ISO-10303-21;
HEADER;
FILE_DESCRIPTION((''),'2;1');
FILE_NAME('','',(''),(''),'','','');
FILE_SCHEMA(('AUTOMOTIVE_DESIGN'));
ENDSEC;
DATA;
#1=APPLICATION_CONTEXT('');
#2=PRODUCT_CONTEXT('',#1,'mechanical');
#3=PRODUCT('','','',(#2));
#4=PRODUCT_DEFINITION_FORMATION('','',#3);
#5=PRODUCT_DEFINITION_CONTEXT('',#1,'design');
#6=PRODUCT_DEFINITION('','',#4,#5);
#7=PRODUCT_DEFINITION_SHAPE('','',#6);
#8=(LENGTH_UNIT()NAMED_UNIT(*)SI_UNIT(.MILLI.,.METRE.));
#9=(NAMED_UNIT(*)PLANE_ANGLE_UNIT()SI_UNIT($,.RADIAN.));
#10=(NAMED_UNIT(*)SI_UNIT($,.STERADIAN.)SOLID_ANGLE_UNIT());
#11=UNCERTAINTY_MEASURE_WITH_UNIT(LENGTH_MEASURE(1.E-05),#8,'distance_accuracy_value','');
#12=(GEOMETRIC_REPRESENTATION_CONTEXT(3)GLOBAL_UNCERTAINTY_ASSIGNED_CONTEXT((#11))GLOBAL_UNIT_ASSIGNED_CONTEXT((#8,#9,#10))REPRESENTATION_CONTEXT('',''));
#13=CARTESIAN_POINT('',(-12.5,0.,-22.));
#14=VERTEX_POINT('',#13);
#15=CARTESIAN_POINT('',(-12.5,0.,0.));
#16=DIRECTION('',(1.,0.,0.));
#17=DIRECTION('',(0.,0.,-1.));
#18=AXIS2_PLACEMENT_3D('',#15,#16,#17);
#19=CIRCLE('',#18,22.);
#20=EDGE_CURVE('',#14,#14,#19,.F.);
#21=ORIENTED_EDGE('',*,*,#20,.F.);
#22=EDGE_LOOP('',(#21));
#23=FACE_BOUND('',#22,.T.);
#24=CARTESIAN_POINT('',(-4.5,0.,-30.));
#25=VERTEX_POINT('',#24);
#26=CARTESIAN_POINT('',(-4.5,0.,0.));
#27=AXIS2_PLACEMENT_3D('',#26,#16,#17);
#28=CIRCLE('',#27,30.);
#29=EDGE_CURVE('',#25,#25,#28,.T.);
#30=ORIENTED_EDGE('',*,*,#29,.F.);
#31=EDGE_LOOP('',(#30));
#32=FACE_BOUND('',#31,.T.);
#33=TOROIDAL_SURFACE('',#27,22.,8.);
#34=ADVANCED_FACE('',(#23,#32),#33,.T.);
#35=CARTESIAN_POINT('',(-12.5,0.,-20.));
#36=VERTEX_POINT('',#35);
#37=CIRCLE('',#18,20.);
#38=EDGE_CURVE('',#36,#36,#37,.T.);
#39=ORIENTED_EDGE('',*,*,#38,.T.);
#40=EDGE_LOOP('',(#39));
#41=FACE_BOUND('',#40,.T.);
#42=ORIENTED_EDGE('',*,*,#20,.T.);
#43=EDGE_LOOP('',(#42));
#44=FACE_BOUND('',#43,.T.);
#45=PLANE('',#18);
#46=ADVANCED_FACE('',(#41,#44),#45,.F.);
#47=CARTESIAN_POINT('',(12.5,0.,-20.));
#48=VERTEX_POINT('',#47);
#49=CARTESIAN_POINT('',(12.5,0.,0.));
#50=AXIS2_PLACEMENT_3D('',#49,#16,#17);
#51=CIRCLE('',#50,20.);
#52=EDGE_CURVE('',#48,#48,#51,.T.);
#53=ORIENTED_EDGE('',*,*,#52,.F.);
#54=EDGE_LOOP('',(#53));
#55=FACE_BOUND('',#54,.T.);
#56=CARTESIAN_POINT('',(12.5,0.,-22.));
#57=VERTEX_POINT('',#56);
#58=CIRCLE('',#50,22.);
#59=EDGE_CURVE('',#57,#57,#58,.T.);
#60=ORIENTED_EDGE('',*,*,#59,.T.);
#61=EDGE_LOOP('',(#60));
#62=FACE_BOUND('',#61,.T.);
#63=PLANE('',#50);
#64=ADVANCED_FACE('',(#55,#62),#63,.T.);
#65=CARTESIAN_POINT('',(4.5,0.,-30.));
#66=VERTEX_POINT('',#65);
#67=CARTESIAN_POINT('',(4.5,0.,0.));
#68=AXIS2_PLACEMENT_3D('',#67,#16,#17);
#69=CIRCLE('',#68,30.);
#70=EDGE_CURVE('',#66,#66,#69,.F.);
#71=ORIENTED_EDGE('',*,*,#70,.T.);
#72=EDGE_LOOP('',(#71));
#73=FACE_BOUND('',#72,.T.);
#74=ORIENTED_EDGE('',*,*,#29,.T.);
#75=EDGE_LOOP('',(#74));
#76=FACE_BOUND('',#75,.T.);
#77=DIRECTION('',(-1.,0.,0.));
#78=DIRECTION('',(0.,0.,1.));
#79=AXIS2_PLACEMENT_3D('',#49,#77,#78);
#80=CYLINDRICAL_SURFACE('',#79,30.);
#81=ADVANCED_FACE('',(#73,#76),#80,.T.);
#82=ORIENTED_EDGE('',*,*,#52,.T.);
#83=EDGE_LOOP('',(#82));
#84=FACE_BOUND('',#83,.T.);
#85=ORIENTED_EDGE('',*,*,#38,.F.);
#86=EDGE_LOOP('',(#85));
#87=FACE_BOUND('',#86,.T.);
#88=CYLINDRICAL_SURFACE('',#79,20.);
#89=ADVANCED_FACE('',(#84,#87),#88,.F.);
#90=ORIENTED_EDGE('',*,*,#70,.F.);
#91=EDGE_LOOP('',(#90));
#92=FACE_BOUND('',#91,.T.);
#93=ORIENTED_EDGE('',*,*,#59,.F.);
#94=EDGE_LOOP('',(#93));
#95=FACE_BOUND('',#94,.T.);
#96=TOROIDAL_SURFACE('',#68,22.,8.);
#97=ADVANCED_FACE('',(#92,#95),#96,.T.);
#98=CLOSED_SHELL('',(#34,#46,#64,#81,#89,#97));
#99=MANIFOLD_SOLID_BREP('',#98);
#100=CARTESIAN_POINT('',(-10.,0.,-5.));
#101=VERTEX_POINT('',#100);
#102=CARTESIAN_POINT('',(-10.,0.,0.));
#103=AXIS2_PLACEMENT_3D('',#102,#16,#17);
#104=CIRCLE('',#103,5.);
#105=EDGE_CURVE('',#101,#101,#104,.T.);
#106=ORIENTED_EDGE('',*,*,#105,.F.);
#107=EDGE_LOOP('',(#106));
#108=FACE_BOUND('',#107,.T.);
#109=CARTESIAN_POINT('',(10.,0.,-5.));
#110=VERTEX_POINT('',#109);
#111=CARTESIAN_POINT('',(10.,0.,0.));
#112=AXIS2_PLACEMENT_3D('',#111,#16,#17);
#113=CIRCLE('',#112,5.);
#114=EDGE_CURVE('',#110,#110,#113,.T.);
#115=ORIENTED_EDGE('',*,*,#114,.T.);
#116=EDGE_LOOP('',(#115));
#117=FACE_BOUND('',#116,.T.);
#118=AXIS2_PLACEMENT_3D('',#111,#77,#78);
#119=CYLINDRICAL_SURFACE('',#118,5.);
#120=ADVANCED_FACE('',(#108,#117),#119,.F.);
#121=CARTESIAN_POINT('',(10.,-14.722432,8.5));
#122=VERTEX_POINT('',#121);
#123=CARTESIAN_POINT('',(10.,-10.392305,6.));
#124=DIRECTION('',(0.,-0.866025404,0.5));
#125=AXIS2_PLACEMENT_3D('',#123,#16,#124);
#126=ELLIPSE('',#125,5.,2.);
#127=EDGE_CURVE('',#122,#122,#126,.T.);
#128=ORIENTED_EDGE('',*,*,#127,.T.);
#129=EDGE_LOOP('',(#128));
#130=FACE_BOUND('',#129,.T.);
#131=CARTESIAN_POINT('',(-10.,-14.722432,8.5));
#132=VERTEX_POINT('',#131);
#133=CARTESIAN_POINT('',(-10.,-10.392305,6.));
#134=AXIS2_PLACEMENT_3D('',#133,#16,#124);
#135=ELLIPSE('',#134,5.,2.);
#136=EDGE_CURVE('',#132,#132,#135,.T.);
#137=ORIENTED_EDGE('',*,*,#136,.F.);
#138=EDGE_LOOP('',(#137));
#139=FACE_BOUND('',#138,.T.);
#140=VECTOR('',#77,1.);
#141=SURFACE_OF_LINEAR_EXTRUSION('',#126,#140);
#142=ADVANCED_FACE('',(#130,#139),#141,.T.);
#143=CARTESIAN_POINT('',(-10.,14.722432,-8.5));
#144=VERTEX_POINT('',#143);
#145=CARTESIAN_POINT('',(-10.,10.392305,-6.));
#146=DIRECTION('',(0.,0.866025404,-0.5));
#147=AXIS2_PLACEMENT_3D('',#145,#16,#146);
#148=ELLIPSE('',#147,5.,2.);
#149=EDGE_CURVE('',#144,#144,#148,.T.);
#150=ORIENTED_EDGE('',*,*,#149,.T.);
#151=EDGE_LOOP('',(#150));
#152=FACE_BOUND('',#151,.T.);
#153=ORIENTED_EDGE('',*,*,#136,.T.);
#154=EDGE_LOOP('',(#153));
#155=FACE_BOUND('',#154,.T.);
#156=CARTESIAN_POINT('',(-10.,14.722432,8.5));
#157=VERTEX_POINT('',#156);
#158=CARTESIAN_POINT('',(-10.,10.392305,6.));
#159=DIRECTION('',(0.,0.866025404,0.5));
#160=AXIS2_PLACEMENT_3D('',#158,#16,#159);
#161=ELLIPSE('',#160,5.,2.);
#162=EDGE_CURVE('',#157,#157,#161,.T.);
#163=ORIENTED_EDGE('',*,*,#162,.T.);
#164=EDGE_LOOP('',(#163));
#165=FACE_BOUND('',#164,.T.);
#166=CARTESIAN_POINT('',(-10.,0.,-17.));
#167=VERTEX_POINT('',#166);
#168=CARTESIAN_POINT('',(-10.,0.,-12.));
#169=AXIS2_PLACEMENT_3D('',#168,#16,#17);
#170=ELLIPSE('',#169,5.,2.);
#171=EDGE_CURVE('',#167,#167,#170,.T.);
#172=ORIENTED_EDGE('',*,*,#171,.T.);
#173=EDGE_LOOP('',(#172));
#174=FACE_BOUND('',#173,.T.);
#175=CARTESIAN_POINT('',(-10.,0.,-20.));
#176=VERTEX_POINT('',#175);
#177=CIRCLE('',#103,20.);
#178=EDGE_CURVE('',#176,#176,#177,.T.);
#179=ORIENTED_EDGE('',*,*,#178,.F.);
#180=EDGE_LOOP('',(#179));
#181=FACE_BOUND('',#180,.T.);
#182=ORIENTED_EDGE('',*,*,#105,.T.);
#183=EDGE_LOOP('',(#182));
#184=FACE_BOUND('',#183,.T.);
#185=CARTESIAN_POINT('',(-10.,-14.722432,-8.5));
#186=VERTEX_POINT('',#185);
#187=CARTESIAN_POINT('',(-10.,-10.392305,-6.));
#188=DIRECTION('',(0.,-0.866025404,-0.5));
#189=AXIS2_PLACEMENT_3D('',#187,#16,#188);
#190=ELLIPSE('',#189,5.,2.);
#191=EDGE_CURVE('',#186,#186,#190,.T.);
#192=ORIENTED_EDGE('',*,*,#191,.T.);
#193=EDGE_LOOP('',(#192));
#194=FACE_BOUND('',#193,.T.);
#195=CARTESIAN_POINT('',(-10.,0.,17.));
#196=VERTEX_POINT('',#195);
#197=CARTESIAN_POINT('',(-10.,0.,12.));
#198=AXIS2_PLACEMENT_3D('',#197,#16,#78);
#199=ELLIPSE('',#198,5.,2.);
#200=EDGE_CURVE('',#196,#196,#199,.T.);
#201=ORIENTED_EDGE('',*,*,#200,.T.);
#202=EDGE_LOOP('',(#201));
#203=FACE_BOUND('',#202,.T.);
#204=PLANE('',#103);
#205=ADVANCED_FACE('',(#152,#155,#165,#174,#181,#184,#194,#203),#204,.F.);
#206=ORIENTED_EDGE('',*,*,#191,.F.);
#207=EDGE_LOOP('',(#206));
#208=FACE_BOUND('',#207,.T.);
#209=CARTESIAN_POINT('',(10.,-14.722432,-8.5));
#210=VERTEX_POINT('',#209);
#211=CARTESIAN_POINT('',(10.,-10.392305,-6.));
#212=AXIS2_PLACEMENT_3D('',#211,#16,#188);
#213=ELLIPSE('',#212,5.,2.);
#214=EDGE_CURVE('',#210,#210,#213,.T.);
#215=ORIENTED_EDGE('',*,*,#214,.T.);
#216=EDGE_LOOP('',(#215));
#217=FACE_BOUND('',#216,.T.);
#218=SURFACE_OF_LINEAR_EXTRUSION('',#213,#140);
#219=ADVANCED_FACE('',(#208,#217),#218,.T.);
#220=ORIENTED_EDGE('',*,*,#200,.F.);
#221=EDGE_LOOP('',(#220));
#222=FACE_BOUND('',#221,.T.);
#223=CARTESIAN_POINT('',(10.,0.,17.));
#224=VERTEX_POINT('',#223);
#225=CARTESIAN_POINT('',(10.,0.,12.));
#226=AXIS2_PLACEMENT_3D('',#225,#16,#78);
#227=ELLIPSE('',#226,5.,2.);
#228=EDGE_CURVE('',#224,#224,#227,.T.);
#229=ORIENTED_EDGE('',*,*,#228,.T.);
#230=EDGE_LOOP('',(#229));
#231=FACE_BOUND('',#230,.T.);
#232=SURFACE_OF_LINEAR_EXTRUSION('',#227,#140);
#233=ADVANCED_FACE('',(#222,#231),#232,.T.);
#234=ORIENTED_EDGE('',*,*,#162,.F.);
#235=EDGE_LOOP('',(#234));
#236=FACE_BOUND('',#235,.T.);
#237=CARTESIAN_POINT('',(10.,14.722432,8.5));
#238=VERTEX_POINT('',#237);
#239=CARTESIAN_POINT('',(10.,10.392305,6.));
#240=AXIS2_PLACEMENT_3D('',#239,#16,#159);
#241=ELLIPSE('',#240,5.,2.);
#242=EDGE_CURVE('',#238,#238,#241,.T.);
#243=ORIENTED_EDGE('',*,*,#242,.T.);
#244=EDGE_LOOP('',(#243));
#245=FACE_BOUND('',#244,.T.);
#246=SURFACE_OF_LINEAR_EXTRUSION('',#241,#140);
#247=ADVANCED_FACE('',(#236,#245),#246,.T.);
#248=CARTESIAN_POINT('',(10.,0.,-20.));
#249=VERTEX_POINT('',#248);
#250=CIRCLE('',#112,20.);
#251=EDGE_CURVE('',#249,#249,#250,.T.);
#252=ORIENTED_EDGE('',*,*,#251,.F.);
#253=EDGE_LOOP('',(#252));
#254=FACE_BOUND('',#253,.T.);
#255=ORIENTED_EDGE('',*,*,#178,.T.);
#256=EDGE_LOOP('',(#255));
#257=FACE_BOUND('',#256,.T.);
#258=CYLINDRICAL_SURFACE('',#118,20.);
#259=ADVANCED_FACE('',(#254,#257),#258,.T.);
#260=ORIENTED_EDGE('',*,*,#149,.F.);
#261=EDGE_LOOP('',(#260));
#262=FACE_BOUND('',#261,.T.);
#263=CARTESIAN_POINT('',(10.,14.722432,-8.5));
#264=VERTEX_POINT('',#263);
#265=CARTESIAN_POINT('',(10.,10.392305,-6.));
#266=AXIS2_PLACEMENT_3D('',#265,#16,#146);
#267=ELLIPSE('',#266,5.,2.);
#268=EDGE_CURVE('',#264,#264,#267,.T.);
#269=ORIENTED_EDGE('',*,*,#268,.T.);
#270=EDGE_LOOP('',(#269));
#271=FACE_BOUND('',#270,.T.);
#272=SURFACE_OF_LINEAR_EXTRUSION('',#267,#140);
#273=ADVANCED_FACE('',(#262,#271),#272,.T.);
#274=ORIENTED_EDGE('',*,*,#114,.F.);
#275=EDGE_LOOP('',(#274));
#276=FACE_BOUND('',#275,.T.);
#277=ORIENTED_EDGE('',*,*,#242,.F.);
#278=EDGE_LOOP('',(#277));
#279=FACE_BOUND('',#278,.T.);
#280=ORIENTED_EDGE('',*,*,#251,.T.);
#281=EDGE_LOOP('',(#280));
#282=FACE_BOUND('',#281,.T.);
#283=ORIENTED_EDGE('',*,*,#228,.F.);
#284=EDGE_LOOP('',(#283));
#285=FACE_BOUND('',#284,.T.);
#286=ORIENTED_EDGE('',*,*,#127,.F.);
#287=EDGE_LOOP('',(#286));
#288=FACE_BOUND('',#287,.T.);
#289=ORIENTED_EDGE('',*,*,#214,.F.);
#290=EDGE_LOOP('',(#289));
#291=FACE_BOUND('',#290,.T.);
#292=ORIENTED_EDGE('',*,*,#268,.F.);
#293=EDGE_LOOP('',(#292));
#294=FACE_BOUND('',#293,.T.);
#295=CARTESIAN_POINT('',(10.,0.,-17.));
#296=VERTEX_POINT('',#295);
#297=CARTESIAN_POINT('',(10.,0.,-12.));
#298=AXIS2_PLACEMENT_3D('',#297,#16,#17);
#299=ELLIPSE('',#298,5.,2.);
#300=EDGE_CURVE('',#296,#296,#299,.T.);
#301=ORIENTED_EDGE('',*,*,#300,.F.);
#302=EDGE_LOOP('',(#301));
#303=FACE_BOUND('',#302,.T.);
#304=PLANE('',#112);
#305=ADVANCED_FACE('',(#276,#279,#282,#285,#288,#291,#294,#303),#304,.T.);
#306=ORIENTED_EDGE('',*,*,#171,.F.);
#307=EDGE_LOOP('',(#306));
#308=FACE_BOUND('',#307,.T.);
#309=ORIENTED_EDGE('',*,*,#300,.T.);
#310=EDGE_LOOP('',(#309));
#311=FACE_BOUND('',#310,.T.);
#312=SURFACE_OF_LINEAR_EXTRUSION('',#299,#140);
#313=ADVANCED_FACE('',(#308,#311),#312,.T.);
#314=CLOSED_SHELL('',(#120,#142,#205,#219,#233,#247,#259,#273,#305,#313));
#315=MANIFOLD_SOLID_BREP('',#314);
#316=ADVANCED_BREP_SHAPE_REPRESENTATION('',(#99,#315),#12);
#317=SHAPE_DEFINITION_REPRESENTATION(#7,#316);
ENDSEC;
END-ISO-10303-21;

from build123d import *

# Parameters (mm, degrees)
SKETCH1_R           = 30
SKETCH1_R_2         = 20
BOSS_EXTRUDE1_DEPTH = 12.5
FILLET1_R           = 8
SKETCH2_R           = 20
SKETCH2_R_2         = 5
SKETCH2_RX          = 5
SKETCH2_RY          = 2
BOSS_EXTRUDE3_DEPTH = 10


with BuildPart() as part:
    # Sketch1 → Boss-Extrude1 (new, symmetric)
    with BuildSketch(Plane(origin=(0, 0, 0), x_dir=(0, 0, -1), z_dir=(1, 0, 0))):
        Circle(SKETCH1_R)
        Circle(SKETCH1_R_2, mode=Mode.SUBTRACT)
    extrude(amount=BOSS_EXTRUDE1_DEPTH, both=True)

    # Fillet1
    fillet1_edges = [part.edges().sort_by_distance(p)[0] for p in [
        (-12.5, 0, 30),
        (12.5, 0, 30),
    ]]
    fillet(fillet1_edges, radius=FILLET1_R)


with BuildPart() as body_2:
    # Sketch2 → Boss-Extrude3 (new, symmetric)
    with BuildSketch(Plane(origin=(0, 0, 0), x_dir=(0, 0, -1), z_dir=(1, 0, 0))):
        Circle(SKETCH2_R)
        Circle(SKETCH2_R_2, mode=Mode.SUBTRACT)
        with Locations(Location((-12, 0), (0, 0, 180))):
            Ellipse(SKETCH2_RX, SKETCH2_RY, mode=Mode.SUBTRACT)
        with Locations(Location((-6, 10.392304845), (0, 0, 120))):
            Ellipse(SKETCH2_RX, SKETCH2_RY, mode=Mode.SUBTRACT)
        with Locations(Location((6, 10.392304845), (0, 0, 60))):
            Ellipse(SKETCH2_RX, SKETCH2_RY, mode=Mode.SUBTRACT)
        with Locations(Location((12, 0), (0, 0, 0))):
            Ellipse(SKETCH2_RX, SKETCH2_RY, mode=Mode.SUBTRACT)
        with Locations(Location((6, -10.392304845), (0, 0, -60))):
            Ellipse(SKETCH2_RX, SKETCH2_RY, mode=Mode.SUBTRACT)
        with Locations(Location((-6, -10.392304845), (0, 0, -120))):
            Ellipse(SKETCH2_RX, SKETCH2_RY, mode=Mode.SUBTRACT)
    extrude(amount=BOSS_EXTRUDE3_DEPTH, both=True)


solid = Compound([part.part, body_2.part])
